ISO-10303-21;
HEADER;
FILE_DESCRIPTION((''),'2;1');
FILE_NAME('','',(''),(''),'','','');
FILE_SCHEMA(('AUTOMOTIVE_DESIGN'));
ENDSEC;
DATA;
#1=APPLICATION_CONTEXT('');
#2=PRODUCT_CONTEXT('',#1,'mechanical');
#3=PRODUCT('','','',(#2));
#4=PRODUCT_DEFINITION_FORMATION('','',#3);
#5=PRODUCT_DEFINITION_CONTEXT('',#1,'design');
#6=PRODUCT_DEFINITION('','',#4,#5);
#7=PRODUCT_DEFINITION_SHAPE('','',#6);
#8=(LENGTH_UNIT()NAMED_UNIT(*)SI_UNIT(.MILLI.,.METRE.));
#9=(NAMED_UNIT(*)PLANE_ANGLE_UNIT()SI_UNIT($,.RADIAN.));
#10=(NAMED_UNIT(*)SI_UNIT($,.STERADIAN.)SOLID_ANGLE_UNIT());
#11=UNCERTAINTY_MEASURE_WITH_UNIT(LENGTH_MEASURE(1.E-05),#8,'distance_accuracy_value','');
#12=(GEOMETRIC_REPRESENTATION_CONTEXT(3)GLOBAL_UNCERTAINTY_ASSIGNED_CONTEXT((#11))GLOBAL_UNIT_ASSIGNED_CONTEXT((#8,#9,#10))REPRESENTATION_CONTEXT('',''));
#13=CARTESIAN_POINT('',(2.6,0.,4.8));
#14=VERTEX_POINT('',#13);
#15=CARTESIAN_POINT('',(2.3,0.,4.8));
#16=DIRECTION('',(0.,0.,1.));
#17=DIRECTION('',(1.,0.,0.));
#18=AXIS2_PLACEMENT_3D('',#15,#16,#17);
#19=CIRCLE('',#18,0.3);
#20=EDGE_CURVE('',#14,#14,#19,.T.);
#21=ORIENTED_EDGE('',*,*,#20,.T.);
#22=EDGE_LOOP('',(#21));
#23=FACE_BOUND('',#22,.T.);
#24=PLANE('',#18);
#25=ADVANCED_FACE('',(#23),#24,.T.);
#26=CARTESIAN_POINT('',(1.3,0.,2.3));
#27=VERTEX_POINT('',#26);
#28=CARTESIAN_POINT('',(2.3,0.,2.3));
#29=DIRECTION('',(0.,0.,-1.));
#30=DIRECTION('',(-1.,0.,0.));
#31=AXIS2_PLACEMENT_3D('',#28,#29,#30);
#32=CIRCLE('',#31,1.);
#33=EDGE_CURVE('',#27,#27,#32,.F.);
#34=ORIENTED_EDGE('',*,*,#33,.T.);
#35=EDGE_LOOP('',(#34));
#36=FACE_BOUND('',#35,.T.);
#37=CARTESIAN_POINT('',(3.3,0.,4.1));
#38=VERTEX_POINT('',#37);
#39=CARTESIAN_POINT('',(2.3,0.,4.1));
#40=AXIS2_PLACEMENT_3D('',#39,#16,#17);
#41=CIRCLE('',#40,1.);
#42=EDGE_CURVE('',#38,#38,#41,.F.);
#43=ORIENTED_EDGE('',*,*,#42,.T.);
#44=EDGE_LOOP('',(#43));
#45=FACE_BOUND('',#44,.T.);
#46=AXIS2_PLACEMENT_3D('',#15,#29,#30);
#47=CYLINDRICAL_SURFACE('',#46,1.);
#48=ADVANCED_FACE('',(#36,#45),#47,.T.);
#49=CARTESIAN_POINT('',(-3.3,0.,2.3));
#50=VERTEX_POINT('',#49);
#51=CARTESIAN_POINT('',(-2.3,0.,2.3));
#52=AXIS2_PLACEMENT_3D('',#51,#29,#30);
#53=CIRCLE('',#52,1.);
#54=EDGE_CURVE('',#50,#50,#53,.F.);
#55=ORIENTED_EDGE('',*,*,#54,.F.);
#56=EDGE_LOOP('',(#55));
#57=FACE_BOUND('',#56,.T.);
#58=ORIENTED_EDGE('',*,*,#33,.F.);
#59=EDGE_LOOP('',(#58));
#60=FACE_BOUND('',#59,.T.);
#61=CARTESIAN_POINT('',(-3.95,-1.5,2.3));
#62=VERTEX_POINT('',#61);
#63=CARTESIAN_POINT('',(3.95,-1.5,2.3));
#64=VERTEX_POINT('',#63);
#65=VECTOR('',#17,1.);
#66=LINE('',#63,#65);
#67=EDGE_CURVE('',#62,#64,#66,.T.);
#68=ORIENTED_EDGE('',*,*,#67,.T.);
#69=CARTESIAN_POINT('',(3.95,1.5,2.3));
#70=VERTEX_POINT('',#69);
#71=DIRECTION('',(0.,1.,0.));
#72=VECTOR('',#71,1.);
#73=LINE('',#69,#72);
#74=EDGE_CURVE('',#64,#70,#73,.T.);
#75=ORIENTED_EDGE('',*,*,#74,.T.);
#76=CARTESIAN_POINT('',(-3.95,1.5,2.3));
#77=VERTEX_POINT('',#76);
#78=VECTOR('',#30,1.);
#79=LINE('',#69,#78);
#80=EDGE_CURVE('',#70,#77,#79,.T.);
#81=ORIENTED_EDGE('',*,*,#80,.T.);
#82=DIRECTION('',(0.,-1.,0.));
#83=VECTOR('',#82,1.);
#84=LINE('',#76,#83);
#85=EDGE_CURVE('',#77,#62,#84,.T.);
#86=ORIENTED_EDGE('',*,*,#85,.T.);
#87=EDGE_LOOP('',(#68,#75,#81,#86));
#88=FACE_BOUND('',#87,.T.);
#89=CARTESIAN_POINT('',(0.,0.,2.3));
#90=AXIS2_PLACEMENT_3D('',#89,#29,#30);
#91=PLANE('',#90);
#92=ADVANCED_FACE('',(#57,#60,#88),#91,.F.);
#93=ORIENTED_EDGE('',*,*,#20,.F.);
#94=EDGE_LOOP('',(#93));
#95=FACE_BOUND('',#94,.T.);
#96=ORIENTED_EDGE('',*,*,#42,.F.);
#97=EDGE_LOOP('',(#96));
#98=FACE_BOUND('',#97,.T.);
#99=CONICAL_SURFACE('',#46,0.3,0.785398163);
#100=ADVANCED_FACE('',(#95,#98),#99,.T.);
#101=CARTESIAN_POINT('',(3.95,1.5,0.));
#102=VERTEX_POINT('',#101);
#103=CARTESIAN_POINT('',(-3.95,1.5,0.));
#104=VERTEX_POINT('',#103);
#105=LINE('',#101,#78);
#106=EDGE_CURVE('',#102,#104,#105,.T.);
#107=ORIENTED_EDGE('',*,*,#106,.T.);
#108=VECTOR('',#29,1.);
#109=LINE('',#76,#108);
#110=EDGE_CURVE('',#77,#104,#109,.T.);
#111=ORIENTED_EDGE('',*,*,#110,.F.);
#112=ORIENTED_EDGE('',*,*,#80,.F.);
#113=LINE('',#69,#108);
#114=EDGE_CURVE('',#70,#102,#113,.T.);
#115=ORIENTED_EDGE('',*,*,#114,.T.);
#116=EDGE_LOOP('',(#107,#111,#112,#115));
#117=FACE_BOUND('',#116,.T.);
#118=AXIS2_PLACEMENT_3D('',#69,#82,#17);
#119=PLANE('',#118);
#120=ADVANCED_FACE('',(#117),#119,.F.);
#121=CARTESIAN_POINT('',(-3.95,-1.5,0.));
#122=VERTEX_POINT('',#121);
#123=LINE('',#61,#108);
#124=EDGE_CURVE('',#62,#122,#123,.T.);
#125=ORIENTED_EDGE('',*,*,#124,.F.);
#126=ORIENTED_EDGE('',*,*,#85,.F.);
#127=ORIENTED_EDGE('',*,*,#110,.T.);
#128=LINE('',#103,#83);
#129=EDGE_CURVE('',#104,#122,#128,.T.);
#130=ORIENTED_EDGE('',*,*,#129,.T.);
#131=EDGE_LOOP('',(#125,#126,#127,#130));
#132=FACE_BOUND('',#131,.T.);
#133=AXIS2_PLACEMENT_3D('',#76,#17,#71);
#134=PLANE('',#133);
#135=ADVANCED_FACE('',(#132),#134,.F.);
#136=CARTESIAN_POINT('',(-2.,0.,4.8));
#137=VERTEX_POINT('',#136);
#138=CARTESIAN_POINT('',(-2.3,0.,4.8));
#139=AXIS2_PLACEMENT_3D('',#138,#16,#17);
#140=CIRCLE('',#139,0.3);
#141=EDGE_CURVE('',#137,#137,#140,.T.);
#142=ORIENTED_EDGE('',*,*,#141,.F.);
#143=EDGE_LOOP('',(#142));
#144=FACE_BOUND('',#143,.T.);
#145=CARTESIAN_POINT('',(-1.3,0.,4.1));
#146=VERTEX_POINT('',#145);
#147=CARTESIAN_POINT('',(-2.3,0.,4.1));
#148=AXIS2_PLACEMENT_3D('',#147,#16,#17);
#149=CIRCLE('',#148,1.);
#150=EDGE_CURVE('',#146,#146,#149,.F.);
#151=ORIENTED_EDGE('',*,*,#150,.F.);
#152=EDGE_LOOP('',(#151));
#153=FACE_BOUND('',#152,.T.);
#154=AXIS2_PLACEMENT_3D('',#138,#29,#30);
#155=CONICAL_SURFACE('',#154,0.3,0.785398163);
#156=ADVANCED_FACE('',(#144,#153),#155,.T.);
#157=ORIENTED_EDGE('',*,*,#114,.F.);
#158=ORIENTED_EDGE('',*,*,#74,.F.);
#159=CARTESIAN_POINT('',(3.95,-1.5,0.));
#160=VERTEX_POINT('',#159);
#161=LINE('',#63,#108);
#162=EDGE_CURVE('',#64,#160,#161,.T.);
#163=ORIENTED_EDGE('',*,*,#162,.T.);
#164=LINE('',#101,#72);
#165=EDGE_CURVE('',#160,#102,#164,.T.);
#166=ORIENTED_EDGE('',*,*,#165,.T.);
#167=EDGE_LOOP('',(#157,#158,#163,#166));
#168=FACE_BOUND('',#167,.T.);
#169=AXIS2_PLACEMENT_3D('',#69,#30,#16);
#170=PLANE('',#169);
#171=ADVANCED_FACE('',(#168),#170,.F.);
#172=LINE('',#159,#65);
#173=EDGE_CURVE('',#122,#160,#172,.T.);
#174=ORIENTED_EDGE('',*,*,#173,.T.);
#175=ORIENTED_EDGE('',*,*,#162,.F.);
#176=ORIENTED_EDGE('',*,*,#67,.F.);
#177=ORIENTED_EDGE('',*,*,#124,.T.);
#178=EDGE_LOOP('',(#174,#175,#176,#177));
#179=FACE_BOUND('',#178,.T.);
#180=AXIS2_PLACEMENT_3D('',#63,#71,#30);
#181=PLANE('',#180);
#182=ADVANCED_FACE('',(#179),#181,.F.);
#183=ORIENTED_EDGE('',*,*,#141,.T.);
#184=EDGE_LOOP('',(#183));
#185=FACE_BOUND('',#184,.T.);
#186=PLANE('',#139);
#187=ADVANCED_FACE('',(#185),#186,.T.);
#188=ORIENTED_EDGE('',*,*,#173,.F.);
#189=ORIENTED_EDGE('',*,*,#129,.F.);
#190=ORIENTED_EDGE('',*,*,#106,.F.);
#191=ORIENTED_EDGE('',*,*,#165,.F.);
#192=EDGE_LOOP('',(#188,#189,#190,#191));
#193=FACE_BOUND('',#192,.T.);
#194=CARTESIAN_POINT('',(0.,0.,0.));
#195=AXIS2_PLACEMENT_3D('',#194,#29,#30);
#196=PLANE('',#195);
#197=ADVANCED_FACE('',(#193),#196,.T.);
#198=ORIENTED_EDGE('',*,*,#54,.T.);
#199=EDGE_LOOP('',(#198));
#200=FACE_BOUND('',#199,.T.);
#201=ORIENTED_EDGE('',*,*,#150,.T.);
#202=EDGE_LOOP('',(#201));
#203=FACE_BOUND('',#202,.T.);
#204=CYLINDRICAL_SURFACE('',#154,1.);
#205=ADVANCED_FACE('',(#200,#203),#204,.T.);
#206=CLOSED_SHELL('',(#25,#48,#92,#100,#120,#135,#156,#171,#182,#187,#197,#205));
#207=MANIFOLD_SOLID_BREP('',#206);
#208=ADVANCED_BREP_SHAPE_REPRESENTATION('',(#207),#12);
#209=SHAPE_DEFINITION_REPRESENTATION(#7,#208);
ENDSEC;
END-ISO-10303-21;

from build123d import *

# Parameters (mm, degrees)
SKICA1_W                = 7.9
SKICA1_H                = 3
P_IDAT_VYSUNUT_M1_DEPTH = 2.3
SKICA2_R                = 1
P_IDAT_VYSUNUT_M2_DEPTH = 2.5
ZKOSEN_2_SIZE           = 0.7


with BuildPart() as part:
    # Skica1 → Přidat vysunutím1 (new body)
    with BuildSketch(Plane.XY):
        Rectangle(SKICA1_W, SKICA1_H)
    extrude(amount=P_IDAT_VYSUNUT_M1_DEPTH)

    # Skica2 → Přidat vysunutím2 (add)
    with BuildSketch(Plane.XY.offset(2.3)):
        with Locations((-2.3, 0)):
            Circle(SKICA2_R)
        with Locations((2.3, 0)):
            Circle(SKICA2_R)
    extrude(amount=P_IDAT_VYSUNUT_M2_DEPTH)

    # Zkosení2
    zkosen_2_edges = [part.edges().sort_by_distance(p)[0] for p in [
        (-3.3, 0, 4.8),
        (1.3, 0, 4.8),
    ]]
    chamfer(zkosen_2_edges, length=ZKOSEN_2_SIZE)


solid = part.part
